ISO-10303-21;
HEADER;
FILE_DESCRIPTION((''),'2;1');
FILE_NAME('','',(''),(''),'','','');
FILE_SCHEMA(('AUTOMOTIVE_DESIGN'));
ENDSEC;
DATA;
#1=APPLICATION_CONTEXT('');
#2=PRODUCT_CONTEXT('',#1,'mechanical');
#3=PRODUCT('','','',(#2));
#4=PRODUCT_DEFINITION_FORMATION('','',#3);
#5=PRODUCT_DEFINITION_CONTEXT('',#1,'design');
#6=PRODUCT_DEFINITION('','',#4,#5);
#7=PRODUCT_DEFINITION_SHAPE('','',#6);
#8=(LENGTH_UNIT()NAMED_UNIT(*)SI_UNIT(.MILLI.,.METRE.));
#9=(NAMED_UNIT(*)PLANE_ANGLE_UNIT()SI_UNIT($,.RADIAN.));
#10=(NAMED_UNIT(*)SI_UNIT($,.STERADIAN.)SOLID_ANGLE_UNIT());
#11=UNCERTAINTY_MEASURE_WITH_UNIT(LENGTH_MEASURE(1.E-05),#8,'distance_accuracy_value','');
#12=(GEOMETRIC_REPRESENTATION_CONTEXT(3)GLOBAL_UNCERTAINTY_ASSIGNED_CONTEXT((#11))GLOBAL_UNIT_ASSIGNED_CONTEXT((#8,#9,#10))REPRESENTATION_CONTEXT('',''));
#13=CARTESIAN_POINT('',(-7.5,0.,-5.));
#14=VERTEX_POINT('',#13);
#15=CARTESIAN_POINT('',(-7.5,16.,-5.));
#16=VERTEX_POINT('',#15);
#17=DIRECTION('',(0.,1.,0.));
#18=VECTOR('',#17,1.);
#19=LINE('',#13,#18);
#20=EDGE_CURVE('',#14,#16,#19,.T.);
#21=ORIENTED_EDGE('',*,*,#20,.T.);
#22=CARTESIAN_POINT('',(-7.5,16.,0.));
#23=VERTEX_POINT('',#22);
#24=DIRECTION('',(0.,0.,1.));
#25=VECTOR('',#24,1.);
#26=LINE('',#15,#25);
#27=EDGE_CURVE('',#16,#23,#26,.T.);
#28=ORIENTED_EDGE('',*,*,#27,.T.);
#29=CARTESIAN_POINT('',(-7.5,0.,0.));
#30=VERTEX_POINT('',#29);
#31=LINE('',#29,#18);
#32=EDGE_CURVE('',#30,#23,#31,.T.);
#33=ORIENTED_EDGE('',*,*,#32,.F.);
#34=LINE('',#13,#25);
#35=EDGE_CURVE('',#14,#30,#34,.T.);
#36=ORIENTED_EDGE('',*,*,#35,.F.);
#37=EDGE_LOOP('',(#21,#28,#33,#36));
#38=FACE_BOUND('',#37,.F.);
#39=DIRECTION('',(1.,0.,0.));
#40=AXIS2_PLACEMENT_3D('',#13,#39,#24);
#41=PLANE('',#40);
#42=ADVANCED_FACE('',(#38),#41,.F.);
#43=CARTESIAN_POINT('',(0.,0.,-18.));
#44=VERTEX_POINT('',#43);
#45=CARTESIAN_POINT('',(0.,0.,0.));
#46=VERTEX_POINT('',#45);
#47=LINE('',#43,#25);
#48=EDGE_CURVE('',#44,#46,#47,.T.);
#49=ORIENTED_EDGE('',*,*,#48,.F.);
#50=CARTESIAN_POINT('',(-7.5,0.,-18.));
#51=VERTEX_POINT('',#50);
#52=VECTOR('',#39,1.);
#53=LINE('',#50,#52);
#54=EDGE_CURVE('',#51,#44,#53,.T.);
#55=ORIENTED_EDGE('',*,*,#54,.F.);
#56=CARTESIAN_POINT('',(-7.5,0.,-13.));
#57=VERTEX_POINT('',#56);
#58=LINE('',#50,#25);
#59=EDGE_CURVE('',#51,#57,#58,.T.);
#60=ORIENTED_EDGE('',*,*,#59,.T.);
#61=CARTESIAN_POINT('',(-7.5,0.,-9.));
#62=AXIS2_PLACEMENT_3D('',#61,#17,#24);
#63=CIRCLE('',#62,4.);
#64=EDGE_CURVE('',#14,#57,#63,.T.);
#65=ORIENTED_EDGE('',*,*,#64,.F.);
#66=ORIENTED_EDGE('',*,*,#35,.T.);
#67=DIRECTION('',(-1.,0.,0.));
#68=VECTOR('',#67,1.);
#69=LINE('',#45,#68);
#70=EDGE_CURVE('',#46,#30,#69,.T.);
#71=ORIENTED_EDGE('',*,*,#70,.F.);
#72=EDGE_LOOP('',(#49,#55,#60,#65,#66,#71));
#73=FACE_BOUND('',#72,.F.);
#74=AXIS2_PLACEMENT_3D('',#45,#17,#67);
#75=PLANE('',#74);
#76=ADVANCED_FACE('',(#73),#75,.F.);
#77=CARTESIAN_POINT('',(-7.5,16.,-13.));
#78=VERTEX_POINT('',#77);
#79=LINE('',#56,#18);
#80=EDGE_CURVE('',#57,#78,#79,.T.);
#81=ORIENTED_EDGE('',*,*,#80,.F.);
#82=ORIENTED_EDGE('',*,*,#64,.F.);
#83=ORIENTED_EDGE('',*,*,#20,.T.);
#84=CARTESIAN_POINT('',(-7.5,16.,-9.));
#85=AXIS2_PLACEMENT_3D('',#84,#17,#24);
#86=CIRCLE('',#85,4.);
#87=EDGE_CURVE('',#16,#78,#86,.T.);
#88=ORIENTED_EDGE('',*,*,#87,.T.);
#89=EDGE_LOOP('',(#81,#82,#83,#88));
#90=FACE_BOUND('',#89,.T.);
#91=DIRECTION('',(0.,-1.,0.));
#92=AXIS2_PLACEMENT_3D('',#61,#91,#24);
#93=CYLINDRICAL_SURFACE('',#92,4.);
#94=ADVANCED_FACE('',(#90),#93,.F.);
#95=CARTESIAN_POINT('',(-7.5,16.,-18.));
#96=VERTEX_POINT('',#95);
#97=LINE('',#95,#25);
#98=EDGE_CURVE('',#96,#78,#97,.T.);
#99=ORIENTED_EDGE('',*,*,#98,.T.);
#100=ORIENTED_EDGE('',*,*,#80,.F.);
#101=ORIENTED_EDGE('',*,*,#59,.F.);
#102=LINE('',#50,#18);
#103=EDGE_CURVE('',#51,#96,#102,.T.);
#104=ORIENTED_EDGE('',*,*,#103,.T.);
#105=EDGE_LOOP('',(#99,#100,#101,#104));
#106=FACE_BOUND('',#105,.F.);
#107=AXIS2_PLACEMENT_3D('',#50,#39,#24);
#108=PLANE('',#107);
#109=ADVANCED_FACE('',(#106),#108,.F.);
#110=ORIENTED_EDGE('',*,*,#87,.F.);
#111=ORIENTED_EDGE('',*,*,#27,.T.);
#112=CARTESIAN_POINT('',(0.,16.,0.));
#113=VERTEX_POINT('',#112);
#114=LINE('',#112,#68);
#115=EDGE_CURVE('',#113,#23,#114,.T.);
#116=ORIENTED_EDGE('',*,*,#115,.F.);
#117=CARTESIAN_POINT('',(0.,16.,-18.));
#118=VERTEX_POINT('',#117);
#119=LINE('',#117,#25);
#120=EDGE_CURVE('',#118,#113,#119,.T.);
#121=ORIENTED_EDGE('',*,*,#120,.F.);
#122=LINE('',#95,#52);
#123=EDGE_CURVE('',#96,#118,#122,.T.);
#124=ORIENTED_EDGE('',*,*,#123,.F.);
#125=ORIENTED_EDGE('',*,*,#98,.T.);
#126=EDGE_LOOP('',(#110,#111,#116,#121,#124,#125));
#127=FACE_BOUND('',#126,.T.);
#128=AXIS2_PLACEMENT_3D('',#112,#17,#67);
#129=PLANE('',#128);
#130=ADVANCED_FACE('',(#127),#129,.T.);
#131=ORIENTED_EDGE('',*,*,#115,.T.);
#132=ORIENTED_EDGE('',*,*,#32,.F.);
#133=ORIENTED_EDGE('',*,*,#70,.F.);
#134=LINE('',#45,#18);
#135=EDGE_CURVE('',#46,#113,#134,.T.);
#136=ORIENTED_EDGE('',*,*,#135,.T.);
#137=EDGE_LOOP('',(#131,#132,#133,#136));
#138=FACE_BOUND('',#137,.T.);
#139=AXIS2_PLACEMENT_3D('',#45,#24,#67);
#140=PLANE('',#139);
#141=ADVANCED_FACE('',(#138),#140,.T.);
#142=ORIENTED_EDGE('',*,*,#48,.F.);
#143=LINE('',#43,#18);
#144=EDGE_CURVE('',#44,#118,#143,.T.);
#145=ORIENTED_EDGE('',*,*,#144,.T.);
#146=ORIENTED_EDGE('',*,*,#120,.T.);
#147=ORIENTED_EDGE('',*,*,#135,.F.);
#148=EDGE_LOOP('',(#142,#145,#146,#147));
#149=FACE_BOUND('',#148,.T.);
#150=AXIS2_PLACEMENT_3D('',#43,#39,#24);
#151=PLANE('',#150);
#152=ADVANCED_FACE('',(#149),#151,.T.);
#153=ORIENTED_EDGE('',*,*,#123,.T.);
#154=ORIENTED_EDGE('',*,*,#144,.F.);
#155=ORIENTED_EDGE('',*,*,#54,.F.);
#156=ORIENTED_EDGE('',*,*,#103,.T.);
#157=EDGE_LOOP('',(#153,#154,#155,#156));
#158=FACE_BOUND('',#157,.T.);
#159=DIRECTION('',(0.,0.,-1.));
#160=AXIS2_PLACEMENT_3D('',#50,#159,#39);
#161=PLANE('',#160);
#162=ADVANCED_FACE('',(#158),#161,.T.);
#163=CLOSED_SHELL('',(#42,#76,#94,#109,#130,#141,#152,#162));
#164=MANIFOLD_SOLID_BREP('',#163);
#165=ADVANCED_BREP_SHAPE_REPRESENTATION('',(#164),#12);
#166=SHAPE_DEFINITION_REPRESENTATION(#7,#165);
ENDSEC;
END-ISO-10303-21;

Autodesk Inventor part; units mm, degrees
ref_plane "YZ Plane" through (0, 0, 0) normal (1, 0, 0) x (0, 1, 0)
ref_plane "XZ Plane" through (0, 0, 0) normal (0, 1, 0) x (-1, 0, 0)
ref_plane "XY Plane" through (0, 0, 0) normal (0, 0, 1) x (1, 0, 0)
sketch "Sketch1" plane through (0, 0, 0) normal (0, 1, 0) x (-1, 0, 0)
  line L0 (0, 0) -> (7.5, 0)
  line L1 (7.5, -18) -> (0, -18)
  line L2 (0, -18) -> (0, 0)
  arc A0 (7.5, -5) -> (7.5, -13) centre (7.5, -9) ccw
  line L3 (7.5, -18) -> (7.5, -13)
  line L4 (7.5, -5) -> (7.5, 0)
  dimension "d0" = 7.5
  dimension "d1" = 18
  dimension "d5" = 4
  dimension "d6" = 0
  dimension "d7" = 5
  dimension "d8" = 0
extrude "Extrusion2" add sketch "Sketch1" along normal blind 16
properties part number "Lower Base Bearing Holder" material "Brass, Soft Yellow"
